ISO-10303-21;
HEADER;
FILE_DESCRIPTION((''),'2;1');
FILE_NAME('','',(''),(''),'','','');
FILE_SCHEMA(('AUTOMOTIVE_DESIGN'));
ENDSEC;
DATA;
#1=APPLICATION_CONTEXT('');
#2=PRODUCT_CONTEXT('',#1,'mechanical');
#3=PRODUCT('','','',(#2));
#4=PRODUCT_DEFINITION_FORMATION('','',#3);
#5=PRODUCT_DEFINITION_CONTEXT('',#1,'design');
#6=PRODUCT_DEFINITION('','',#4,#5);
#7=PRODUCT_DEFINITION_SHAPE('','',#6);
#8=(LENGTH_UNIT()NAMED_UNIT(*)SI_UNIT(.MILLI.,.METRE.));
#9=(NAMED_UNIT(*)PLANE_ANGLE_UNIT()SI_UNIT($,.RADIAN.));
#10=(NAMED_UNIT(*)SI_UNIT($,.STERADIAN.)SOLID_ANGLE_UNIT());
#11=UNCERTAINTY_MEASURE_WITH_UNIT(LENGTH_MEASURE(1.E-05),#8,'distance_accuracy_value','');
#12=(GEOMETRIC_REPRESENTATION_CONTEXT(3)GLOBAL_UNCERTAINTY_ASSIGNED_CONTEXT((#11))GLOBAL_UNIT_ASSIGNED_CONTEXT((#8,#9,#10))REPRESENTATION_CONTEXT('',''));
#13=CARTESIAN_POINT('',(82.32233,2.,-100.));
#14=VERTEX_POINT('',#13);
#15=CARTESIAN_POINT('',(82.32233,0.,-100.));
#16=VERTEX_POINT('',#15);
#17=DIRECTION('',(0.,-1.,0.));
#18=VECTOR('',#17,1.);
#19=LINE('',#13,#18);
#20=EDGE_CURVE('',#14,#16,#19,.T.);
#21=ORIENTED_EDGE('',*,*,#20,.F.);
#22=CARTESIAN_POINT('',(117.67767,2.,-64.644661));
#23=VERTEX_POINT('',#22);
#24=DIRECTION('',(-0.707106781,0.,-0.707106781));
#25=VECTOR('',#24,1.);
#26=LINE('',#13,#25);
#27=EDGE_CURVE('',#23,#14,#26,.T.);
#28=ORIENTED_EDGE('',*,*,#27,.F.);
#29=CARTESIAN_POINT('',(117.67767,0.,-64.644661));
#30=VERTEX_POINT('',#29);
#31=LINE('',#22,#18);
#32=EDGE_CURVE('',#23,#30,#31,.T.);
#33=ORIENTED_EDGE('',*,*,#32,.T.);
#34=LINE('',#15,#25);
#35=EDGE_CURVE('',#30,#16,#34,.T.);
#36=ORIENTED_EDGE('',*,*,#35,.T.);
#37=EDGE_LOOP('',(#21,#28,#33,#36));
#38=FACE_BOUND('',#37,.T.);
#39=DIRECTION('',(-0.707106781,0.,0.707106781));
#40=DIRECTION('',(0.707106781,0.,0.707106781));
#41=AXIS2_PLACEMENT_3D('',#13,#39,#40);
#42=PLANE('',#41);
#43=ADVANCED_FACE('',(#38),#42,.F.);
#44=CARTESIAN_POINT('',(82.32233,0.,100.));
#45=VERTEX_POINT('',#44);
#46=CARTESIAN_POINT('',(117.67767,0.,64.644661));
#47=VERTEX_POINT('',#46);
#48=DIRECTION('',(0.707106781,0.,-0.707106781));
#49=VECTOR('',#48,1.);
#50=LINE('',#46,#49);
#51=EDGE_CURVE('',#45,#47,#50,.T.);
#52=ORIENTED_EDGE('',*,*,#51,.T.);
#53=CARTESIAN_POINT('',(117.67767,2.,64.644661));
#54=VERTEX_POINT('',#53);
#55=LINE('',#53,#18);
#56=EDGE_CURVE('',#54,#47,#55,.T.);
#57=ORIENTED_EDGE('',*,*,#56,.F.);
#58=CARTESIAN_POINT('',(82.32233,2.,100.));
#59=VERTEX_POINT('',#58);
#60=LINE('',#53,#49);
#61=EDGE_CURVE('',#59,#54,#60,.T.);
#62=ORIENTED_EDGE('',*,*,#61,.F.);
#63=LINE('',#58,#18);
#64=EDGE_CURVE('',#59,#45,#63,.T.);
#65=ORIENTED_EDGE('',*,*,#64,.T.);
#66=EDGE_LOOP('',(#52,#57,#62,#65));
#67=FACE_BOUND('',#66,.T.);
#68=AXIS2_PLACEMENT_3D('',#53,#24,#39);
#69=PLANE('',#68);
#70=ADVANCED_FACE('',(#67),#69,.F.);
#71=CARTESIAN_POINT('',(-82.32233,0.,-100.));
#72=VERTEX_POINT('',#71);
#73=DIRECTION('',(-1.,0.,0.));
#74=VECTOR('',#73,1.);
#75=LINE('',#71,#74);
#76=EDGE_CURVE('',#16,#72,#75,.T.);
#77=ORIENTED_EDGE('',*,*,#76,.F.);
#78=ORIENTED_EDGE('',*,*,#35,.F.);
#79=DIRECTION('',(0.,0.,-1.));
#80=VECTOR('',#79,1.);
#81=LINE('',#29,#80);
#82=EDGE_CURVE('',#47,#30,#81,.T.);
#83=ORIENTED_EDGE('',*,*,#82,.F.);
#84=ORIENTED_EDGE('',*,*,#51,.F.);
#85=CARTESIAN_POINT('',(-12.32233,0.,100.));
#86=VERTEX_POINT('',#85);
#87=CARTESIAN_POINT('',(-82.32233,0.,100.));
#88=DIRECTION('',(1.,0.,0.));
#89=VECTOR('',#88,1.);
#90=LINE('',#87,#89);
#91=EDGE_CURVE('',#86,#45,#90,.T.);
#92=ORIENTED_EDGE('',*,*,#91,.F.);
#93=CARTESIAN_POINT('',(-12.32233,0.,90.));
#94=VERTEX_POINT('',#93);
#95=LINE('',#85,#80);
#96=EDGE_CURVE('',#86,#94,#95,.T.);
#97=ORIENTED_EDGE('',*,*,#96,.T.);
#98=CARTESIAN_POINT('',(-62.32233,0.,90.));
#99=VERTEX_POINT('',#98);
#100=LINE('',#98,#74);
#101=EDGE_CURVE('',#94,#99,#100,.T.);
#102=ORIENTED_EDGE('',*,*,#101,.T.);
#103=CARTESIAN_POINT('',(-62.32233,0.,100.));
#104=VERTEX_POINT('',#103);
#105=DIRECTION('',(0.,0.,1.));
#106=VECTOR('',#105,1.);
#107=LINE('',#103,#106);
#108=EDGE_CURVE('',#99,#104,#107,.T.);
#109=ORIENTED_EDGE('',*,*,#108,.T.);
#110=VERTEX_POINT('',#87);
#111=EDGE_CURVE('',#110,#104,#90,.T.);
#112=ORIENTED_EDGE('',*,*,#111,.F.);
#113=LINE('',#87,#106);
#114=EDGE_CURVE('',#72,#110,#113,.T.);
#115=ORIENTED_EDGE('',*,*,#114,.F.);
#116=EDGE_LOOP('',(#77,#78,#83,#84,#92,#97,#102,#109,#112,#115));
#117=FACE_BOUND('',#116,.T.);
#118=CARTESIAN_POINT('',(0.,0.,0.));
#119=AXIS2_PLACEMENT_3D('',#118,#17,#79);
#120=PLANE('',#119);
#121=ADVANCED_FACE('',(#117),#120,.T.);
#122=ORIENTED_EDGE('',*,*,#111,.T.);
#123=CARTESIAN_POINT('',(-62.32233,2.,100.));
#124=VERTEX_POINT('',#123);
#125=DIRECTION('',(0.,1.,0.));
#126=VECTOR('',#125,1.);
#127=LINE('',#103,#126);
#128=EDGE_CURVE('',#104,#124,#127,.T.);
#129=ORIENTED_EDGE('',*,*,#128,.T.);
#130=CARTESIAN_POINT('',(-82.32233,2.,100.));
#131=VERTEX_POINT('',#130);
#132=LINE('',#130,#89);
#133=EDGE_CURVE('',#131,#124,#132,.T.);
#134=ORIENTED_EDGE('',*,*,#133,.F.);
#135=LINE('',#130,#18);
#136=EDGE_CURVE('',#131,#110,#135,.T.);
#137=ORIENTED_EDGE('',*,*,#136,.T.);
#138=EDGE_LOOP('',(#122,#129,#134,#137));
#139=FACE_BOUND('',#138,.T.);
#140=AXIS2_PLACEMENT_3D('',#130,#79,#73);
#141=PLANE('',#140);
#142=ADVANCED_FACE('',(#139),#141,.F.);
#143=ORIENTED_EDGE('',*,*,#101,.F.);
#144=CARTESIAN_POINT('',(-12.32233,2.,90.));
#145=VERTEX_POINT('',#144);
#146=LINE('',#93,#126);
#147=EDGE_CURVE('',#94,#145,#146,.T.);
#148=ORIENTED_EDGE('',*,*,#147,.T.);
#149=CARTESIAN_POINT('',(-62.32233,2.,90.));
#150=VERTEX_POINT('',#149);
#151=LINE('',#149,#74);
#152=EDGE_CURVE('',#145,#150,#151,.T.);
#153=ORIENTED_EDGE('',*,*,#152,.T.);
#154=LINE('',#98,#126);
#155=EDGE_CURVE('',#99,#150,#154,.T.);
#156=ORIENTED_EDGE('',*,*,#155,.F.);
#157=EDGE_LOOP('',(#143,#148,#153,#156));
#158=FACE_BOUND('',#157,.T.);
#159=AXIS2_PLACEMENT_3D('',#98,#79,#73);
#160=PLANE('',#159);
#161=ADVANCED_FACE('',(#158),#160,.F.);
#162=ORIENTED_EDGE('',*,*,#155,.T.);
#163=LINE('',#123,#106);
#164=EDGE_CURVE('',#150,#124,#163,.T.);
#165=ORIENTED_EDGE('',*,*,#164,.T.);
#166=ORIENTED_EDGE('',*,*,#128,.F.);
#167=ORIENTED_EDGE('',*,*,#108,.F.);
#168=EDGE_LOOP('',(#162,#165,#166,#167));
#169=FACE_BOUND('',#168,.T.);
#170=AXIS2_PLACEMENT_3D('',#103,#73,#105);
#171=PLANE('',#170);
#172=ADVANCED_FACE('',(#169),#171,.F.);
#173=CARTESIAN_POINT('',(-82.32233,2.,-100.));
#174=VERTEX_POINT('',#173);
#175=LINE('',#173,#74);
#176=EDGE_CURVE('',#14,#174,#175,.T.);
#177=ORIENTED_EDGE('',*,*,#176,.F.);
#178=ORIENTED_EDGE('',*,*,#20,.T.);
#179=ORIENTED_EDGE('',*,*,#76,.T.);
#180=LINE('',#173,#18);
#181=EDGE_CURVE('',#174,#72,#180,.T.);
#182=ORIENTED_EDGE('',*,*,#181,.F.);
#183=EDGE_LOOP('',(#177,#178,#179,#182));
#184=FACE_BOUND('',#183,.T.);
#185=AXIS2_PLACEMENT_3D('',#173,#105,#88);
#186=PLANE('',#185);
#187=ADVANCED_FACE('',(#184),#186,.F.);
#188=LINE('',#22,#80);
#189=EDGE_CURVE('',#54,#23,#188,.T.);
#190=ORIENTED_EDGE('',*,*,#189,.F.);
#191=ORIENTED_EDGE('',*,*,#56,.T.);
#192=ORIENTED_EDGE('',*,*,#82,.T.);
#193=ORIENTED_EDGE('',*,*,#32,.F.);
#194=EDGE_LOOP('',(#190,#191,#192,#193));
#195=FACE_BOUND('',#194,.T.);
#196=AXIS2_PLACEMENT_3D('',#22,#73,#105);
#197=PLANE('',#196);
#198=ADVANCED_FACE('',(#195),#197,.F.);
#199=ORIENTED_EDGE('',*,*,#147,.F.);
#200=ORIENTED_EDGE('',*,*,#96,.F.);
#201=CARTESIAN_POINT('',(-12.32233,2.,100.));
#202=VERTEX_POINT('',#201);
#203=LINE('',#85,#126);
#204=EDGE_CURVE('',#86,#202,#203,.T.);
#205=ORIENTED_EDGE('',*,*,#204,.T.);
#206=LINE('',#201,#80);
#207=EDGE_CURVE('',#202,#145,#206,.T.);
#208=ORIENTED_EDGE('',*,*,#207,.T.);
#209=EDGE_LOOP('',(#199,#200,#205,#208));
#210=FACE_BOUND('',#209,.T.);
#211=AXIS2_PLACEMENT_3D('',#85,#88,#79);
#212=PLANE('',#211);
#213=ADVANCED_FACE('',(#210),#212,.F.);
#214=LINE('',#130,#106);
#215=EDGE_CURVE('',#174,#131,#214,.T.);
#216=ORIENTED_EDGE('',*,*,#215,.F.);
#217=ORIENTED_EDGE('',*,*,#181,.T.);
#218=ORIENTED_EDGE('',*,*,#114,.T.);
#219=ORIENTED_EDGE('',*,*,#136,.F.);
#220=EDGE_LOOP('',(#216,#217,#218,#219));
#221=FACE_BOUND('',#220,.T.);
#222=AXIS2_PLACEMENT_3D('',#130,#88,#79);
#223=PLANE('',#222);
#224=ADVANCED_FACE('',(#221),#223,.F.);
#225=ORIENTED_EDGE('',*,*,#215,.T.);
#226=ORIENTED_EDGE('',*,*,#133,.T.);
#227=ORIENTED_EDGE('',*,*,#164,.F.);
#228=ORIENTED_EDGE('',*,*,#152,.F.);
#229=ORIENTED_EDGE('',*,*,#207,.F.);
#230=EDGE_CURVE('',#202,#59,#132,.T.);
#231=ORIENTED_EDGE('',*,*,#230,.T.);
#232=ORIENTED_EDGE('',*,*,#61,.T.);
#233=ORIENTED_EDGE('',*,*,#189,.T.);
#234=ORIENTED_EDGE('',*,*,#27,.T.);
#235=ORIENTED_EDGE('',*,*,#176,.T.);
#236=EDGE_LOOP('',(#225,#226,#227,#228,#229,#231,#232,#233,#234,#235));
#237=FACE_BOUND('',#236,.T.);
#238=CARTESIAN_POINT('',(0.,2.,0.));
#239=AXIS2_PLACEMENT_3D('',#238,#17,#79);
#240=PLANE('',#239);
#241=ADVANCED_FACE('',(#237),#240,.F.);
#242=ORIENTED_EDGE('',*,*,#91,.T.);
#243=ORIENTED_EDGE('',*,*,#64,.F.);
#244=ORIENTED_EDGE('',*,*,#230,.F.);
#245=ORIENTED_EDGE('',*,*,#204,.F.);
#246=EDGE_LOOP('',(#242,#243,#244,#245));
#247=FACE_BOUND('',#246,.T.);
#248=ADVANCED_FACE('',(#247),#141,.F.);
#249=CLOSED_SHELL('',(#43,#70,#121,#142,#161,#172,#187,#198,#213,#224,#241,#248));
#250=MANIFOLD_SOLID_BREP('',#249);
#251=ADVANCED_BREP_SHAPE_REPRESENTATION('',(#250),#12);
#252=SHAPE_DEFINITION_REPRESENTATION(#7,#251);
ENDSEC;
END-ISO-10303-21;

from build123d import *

# Parameters (mm, degrees)
BOSS_EXTRUDE1_DEPTH = 2
SKETCH2_W           = 50
SKETCH2_H           = 10
CUT_EXTRUDE1_DEPTH  = 155.441036988


with BuildPart() as part:
    # Sketch1 → Boss-Extrude1 (new body)
    with BuildSketch(Plane(origin=(0, 0, 0), x_dir=(1, 0, 0), z_dir=(0, 1, 0))):
        Polygon((-82.32233047, 100), (82.32233047, 100), (117.67766953, 64.644660941), (117.67766953, -64.644660941), (82.32233047, -100), (-82.32233047, -100), align=None)
    extrude(amount=BOSS_EXTRUDE1_DEPTH)

    # Sketch2 → Cut-Extrude1 (cut, through all)
    with BuildSketch(Plane(origin=(0, 2, 0), x_dir=(1, 0, 0), z_dir=(0, 1, 0))):
        with Locations((-37.32233047, -95)):
            Rectangle(SKETCH2_W, SKETCH2_H)
    extrude(amount=-CUT_EXTRUDE1_DEPTH, mode=Mode.SUBTRACT)


solid = part.part
